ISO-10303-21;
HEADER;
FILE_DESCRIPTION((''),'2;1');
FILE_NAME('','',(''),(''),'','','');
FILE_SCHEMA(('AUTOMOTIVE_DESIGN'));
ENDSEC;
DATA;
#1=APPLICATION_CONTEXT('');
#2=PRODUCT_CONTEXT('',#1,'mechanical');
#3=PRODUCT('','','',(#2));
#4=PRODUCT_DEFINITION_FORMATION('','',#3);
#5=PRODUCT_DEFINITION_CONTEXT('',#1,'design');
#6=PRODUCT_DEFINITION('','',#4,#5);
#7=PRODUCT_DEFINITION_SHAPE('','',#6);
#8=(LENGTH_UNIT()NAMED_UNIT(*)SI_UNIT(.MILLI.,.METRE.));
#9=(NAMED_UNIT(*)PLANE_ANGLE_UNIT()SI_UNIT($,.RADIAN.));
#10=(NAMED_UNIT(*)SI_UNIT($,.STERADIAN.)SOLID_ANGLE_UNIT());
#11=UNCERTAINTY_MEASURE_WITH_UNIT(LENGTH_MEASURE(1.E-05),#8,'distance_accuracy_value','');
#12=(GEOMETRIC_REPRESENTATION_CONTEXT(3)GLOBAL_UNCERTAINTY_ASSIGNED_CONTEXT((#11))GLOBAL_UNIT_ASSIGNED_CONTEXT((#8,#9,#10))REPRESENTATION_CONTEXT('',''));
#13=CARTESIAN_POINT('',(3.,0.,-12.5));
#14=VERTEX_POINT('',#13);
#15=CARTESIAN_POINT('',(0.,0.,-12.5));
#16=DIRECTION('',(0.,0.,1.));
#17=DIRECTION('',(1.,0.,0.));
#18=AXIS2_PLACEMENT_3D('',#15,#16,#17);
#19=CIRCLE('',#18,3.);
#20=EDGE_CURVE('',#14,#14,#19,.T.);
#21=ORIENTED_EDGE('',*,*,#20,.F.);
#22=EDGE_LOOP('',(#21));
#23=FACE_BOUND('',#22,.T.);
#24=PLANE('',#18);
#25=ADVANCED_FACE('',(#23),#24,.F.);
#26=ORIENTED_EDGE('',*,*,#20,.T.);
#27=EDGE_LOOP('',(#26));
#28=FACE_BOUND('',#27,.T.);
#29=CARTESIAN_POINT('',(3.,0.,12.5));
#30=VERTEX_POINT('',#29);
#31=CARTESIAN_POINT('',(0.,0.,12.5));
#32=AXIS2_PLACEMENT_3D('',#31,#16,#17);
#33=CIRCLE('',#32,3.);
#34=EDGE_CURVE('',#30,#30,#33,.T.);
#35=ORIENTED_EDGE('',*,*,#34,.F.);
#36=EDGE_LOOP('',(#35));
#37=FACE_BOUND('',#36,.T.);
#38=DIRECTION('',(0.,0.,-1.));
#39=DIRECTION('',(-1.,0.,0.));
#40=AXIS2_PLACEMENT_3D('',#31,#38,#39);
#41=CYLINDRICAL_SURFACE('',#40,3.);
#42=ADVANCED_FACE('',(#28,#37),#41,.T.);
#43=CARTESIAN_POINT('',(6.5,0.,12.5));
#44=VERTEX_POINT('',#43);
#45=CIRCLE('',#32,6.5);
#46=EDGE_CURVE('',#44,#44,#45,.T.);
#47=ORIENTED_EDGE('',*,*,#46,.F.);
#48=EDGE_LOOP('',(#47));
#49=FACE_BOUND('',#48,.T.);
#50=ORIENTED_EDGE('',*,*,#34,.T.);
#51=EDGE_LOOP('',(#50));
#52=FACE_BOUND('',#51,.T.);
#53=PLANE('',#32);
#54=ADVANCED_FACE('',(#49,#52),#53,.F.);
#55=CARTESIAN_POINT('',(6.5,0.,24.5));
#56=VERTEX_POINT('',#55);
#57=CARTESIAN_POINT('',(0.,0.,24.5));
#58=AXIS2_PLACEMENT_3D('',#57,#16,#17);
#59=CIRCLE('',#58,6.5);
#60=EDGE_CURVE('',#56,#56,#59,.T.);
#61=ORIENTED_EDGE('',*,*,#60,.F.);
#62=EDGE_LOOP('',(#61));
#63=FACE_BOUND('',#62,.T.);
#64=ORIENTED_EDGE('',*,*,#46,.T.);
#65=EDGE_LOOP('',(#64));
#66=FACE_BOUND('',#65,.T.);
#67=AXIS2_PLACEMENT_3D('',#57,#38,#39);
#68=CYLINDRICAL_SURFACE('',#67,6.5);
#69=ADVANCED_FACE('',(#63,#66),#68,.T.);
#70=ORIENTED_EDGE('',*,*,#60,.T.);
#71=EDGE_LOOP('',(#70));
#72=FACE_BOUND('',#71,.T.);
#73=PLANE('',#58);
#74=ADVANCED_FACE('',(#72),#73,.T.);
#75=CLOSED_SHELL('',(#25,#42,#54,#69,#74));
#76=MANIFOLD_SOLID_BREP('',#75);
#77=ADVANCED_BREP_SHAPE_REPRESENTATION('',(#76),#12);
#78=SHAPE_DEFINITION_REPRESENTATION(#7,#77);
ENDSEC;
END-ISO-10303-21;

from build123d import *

# Parameters (mm, degrees)
SKETCH_1_R      = 3
EXTRUDE_1_DEPTH = 12.5
SKETCH_2_R      = 6.5
EXTRUDE_2_DEPTH = 12


with BuildPart() as part:
    # 草图1 → 凸台-拉伸1 (new, symmetric)
    with BuildSketch(Plane.XY):
        Circle(SKETCH_1_R)
    extrude(amount=EXTRUDE_1_DEPTH, both=True)

    # 草图2 → 凸台-拉伸2 (add)
    with BuildSketch(Plane.XY.offset(12.5)):
        Circle(SKETCH_2_R)
    extrude(amount=EXTRUDE_2_DEPTH)


solid = part.part
